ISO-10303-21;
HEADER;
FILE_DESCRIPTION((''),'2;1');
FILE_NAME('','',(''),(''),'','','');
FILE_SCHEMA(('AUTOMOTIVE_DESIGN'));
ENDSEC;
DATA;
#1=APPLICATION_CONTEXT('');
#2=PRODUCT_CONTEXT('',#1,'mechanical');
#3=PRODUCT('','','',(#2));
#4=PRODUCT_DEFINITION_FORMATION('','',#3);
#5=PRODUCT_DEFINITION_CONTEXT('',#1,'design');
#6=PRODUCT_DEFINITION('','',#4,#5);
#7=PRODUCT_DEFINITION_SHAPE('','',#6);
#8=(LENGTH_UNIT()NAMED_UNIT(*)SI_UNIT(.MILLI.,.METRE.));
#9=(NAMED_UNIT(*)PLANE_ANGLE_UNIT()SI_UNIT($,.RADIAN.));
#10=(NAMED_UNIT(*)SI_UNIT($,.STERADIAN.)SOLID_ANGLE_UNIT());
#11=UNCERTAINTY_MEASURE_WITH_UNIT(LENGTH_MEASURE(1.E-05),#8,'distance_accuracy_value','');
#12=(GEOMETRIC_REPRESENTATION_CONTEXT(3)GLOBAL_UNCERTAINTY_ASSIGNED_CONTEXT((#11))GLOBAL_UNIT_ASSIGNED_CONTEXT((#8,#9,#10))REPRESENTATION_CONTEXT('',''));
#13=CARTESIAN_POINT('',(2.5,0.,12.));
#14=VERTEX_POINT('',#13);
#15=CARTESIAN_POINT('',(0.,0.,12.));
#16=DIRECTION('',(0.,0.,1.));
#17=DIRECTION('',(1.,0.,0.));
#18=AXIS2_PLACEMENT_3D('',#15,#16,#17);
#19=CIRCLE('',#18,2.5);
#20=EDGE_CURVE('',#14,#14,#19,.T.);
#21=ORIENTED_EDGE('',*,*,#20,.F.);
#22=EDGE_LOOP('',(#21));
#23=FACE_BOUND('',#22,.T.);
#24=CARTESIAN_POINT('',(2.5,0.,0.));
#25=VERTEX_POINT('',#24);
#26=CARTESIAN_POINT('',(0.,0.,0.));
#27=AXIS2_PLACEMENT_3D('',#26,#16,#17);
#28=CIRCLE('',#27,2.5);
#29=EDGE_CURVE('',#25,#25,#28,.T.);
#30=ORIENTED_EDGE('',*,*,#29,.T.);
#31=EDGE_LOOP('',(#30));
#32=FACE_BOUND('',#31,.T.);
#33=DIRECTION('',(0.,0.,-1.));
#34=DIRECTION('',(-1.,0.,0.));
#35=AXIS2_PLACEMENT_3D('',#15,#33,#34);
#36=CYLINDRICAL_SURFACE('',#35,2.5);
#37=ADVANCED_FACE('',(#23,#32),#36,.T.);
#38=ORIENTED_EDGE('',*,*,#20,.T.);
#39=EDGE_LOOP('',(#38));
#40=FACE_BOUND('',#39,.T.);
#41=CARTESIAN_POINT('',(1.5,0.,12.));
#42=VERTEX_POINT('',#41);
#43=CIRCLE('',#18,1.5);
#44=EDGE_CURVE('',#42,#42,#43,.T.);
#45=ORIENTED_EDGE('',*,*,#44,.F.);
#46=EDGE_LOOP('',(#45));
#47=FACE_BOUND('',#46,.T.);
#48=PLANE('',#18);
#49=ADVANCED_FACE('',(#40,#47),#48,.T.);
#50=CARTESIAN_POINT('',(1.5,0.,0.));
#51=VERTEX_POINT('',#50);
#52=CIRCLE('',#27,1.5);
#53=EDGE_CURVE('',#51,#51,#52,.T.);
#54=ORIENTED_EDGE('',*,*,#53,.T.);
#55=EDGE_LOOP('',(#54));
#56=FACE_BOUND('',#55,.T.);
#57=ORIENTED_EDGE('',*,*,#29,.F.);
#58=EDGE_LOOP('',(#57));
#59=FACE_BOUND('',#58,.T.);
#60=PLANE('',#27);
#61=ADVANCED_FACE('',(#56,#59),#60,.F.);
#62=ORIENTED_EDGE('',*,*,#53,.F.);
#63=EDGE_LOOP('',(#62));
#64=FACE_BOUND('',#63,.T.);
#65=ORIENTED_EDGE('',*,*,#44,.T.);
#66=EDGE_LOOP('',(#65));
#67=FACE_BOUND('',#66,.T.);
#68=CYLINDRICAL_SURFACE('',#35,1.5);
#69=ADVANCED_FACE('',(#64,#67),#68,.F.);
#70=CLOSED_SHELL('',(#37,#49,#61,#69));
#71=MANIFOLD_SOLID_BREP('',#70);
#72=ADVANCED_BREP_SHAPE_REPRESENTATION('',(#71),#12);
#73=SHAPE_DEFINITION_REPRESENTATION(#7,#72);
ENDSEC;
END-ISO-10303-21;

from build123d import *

# Parameters (mm, degrees)
SKETCH_1_R      = 2.5
SKETCH_1_R_2    = 1.5
EXTRUDE_1_DEPTH = 12


with BuildPart() as part:
    # 草图1 → 凸台-拉伸1 (new body)
    with BuildSketch(Plane.XY):
        Circle(SKETCH_1_R)
        Circle(SKETCH_1_R_2, mode=Mode.SUBTRACT)
    extrude(amount=EXTRUDE_1_DEPTH)


solid = part.part
